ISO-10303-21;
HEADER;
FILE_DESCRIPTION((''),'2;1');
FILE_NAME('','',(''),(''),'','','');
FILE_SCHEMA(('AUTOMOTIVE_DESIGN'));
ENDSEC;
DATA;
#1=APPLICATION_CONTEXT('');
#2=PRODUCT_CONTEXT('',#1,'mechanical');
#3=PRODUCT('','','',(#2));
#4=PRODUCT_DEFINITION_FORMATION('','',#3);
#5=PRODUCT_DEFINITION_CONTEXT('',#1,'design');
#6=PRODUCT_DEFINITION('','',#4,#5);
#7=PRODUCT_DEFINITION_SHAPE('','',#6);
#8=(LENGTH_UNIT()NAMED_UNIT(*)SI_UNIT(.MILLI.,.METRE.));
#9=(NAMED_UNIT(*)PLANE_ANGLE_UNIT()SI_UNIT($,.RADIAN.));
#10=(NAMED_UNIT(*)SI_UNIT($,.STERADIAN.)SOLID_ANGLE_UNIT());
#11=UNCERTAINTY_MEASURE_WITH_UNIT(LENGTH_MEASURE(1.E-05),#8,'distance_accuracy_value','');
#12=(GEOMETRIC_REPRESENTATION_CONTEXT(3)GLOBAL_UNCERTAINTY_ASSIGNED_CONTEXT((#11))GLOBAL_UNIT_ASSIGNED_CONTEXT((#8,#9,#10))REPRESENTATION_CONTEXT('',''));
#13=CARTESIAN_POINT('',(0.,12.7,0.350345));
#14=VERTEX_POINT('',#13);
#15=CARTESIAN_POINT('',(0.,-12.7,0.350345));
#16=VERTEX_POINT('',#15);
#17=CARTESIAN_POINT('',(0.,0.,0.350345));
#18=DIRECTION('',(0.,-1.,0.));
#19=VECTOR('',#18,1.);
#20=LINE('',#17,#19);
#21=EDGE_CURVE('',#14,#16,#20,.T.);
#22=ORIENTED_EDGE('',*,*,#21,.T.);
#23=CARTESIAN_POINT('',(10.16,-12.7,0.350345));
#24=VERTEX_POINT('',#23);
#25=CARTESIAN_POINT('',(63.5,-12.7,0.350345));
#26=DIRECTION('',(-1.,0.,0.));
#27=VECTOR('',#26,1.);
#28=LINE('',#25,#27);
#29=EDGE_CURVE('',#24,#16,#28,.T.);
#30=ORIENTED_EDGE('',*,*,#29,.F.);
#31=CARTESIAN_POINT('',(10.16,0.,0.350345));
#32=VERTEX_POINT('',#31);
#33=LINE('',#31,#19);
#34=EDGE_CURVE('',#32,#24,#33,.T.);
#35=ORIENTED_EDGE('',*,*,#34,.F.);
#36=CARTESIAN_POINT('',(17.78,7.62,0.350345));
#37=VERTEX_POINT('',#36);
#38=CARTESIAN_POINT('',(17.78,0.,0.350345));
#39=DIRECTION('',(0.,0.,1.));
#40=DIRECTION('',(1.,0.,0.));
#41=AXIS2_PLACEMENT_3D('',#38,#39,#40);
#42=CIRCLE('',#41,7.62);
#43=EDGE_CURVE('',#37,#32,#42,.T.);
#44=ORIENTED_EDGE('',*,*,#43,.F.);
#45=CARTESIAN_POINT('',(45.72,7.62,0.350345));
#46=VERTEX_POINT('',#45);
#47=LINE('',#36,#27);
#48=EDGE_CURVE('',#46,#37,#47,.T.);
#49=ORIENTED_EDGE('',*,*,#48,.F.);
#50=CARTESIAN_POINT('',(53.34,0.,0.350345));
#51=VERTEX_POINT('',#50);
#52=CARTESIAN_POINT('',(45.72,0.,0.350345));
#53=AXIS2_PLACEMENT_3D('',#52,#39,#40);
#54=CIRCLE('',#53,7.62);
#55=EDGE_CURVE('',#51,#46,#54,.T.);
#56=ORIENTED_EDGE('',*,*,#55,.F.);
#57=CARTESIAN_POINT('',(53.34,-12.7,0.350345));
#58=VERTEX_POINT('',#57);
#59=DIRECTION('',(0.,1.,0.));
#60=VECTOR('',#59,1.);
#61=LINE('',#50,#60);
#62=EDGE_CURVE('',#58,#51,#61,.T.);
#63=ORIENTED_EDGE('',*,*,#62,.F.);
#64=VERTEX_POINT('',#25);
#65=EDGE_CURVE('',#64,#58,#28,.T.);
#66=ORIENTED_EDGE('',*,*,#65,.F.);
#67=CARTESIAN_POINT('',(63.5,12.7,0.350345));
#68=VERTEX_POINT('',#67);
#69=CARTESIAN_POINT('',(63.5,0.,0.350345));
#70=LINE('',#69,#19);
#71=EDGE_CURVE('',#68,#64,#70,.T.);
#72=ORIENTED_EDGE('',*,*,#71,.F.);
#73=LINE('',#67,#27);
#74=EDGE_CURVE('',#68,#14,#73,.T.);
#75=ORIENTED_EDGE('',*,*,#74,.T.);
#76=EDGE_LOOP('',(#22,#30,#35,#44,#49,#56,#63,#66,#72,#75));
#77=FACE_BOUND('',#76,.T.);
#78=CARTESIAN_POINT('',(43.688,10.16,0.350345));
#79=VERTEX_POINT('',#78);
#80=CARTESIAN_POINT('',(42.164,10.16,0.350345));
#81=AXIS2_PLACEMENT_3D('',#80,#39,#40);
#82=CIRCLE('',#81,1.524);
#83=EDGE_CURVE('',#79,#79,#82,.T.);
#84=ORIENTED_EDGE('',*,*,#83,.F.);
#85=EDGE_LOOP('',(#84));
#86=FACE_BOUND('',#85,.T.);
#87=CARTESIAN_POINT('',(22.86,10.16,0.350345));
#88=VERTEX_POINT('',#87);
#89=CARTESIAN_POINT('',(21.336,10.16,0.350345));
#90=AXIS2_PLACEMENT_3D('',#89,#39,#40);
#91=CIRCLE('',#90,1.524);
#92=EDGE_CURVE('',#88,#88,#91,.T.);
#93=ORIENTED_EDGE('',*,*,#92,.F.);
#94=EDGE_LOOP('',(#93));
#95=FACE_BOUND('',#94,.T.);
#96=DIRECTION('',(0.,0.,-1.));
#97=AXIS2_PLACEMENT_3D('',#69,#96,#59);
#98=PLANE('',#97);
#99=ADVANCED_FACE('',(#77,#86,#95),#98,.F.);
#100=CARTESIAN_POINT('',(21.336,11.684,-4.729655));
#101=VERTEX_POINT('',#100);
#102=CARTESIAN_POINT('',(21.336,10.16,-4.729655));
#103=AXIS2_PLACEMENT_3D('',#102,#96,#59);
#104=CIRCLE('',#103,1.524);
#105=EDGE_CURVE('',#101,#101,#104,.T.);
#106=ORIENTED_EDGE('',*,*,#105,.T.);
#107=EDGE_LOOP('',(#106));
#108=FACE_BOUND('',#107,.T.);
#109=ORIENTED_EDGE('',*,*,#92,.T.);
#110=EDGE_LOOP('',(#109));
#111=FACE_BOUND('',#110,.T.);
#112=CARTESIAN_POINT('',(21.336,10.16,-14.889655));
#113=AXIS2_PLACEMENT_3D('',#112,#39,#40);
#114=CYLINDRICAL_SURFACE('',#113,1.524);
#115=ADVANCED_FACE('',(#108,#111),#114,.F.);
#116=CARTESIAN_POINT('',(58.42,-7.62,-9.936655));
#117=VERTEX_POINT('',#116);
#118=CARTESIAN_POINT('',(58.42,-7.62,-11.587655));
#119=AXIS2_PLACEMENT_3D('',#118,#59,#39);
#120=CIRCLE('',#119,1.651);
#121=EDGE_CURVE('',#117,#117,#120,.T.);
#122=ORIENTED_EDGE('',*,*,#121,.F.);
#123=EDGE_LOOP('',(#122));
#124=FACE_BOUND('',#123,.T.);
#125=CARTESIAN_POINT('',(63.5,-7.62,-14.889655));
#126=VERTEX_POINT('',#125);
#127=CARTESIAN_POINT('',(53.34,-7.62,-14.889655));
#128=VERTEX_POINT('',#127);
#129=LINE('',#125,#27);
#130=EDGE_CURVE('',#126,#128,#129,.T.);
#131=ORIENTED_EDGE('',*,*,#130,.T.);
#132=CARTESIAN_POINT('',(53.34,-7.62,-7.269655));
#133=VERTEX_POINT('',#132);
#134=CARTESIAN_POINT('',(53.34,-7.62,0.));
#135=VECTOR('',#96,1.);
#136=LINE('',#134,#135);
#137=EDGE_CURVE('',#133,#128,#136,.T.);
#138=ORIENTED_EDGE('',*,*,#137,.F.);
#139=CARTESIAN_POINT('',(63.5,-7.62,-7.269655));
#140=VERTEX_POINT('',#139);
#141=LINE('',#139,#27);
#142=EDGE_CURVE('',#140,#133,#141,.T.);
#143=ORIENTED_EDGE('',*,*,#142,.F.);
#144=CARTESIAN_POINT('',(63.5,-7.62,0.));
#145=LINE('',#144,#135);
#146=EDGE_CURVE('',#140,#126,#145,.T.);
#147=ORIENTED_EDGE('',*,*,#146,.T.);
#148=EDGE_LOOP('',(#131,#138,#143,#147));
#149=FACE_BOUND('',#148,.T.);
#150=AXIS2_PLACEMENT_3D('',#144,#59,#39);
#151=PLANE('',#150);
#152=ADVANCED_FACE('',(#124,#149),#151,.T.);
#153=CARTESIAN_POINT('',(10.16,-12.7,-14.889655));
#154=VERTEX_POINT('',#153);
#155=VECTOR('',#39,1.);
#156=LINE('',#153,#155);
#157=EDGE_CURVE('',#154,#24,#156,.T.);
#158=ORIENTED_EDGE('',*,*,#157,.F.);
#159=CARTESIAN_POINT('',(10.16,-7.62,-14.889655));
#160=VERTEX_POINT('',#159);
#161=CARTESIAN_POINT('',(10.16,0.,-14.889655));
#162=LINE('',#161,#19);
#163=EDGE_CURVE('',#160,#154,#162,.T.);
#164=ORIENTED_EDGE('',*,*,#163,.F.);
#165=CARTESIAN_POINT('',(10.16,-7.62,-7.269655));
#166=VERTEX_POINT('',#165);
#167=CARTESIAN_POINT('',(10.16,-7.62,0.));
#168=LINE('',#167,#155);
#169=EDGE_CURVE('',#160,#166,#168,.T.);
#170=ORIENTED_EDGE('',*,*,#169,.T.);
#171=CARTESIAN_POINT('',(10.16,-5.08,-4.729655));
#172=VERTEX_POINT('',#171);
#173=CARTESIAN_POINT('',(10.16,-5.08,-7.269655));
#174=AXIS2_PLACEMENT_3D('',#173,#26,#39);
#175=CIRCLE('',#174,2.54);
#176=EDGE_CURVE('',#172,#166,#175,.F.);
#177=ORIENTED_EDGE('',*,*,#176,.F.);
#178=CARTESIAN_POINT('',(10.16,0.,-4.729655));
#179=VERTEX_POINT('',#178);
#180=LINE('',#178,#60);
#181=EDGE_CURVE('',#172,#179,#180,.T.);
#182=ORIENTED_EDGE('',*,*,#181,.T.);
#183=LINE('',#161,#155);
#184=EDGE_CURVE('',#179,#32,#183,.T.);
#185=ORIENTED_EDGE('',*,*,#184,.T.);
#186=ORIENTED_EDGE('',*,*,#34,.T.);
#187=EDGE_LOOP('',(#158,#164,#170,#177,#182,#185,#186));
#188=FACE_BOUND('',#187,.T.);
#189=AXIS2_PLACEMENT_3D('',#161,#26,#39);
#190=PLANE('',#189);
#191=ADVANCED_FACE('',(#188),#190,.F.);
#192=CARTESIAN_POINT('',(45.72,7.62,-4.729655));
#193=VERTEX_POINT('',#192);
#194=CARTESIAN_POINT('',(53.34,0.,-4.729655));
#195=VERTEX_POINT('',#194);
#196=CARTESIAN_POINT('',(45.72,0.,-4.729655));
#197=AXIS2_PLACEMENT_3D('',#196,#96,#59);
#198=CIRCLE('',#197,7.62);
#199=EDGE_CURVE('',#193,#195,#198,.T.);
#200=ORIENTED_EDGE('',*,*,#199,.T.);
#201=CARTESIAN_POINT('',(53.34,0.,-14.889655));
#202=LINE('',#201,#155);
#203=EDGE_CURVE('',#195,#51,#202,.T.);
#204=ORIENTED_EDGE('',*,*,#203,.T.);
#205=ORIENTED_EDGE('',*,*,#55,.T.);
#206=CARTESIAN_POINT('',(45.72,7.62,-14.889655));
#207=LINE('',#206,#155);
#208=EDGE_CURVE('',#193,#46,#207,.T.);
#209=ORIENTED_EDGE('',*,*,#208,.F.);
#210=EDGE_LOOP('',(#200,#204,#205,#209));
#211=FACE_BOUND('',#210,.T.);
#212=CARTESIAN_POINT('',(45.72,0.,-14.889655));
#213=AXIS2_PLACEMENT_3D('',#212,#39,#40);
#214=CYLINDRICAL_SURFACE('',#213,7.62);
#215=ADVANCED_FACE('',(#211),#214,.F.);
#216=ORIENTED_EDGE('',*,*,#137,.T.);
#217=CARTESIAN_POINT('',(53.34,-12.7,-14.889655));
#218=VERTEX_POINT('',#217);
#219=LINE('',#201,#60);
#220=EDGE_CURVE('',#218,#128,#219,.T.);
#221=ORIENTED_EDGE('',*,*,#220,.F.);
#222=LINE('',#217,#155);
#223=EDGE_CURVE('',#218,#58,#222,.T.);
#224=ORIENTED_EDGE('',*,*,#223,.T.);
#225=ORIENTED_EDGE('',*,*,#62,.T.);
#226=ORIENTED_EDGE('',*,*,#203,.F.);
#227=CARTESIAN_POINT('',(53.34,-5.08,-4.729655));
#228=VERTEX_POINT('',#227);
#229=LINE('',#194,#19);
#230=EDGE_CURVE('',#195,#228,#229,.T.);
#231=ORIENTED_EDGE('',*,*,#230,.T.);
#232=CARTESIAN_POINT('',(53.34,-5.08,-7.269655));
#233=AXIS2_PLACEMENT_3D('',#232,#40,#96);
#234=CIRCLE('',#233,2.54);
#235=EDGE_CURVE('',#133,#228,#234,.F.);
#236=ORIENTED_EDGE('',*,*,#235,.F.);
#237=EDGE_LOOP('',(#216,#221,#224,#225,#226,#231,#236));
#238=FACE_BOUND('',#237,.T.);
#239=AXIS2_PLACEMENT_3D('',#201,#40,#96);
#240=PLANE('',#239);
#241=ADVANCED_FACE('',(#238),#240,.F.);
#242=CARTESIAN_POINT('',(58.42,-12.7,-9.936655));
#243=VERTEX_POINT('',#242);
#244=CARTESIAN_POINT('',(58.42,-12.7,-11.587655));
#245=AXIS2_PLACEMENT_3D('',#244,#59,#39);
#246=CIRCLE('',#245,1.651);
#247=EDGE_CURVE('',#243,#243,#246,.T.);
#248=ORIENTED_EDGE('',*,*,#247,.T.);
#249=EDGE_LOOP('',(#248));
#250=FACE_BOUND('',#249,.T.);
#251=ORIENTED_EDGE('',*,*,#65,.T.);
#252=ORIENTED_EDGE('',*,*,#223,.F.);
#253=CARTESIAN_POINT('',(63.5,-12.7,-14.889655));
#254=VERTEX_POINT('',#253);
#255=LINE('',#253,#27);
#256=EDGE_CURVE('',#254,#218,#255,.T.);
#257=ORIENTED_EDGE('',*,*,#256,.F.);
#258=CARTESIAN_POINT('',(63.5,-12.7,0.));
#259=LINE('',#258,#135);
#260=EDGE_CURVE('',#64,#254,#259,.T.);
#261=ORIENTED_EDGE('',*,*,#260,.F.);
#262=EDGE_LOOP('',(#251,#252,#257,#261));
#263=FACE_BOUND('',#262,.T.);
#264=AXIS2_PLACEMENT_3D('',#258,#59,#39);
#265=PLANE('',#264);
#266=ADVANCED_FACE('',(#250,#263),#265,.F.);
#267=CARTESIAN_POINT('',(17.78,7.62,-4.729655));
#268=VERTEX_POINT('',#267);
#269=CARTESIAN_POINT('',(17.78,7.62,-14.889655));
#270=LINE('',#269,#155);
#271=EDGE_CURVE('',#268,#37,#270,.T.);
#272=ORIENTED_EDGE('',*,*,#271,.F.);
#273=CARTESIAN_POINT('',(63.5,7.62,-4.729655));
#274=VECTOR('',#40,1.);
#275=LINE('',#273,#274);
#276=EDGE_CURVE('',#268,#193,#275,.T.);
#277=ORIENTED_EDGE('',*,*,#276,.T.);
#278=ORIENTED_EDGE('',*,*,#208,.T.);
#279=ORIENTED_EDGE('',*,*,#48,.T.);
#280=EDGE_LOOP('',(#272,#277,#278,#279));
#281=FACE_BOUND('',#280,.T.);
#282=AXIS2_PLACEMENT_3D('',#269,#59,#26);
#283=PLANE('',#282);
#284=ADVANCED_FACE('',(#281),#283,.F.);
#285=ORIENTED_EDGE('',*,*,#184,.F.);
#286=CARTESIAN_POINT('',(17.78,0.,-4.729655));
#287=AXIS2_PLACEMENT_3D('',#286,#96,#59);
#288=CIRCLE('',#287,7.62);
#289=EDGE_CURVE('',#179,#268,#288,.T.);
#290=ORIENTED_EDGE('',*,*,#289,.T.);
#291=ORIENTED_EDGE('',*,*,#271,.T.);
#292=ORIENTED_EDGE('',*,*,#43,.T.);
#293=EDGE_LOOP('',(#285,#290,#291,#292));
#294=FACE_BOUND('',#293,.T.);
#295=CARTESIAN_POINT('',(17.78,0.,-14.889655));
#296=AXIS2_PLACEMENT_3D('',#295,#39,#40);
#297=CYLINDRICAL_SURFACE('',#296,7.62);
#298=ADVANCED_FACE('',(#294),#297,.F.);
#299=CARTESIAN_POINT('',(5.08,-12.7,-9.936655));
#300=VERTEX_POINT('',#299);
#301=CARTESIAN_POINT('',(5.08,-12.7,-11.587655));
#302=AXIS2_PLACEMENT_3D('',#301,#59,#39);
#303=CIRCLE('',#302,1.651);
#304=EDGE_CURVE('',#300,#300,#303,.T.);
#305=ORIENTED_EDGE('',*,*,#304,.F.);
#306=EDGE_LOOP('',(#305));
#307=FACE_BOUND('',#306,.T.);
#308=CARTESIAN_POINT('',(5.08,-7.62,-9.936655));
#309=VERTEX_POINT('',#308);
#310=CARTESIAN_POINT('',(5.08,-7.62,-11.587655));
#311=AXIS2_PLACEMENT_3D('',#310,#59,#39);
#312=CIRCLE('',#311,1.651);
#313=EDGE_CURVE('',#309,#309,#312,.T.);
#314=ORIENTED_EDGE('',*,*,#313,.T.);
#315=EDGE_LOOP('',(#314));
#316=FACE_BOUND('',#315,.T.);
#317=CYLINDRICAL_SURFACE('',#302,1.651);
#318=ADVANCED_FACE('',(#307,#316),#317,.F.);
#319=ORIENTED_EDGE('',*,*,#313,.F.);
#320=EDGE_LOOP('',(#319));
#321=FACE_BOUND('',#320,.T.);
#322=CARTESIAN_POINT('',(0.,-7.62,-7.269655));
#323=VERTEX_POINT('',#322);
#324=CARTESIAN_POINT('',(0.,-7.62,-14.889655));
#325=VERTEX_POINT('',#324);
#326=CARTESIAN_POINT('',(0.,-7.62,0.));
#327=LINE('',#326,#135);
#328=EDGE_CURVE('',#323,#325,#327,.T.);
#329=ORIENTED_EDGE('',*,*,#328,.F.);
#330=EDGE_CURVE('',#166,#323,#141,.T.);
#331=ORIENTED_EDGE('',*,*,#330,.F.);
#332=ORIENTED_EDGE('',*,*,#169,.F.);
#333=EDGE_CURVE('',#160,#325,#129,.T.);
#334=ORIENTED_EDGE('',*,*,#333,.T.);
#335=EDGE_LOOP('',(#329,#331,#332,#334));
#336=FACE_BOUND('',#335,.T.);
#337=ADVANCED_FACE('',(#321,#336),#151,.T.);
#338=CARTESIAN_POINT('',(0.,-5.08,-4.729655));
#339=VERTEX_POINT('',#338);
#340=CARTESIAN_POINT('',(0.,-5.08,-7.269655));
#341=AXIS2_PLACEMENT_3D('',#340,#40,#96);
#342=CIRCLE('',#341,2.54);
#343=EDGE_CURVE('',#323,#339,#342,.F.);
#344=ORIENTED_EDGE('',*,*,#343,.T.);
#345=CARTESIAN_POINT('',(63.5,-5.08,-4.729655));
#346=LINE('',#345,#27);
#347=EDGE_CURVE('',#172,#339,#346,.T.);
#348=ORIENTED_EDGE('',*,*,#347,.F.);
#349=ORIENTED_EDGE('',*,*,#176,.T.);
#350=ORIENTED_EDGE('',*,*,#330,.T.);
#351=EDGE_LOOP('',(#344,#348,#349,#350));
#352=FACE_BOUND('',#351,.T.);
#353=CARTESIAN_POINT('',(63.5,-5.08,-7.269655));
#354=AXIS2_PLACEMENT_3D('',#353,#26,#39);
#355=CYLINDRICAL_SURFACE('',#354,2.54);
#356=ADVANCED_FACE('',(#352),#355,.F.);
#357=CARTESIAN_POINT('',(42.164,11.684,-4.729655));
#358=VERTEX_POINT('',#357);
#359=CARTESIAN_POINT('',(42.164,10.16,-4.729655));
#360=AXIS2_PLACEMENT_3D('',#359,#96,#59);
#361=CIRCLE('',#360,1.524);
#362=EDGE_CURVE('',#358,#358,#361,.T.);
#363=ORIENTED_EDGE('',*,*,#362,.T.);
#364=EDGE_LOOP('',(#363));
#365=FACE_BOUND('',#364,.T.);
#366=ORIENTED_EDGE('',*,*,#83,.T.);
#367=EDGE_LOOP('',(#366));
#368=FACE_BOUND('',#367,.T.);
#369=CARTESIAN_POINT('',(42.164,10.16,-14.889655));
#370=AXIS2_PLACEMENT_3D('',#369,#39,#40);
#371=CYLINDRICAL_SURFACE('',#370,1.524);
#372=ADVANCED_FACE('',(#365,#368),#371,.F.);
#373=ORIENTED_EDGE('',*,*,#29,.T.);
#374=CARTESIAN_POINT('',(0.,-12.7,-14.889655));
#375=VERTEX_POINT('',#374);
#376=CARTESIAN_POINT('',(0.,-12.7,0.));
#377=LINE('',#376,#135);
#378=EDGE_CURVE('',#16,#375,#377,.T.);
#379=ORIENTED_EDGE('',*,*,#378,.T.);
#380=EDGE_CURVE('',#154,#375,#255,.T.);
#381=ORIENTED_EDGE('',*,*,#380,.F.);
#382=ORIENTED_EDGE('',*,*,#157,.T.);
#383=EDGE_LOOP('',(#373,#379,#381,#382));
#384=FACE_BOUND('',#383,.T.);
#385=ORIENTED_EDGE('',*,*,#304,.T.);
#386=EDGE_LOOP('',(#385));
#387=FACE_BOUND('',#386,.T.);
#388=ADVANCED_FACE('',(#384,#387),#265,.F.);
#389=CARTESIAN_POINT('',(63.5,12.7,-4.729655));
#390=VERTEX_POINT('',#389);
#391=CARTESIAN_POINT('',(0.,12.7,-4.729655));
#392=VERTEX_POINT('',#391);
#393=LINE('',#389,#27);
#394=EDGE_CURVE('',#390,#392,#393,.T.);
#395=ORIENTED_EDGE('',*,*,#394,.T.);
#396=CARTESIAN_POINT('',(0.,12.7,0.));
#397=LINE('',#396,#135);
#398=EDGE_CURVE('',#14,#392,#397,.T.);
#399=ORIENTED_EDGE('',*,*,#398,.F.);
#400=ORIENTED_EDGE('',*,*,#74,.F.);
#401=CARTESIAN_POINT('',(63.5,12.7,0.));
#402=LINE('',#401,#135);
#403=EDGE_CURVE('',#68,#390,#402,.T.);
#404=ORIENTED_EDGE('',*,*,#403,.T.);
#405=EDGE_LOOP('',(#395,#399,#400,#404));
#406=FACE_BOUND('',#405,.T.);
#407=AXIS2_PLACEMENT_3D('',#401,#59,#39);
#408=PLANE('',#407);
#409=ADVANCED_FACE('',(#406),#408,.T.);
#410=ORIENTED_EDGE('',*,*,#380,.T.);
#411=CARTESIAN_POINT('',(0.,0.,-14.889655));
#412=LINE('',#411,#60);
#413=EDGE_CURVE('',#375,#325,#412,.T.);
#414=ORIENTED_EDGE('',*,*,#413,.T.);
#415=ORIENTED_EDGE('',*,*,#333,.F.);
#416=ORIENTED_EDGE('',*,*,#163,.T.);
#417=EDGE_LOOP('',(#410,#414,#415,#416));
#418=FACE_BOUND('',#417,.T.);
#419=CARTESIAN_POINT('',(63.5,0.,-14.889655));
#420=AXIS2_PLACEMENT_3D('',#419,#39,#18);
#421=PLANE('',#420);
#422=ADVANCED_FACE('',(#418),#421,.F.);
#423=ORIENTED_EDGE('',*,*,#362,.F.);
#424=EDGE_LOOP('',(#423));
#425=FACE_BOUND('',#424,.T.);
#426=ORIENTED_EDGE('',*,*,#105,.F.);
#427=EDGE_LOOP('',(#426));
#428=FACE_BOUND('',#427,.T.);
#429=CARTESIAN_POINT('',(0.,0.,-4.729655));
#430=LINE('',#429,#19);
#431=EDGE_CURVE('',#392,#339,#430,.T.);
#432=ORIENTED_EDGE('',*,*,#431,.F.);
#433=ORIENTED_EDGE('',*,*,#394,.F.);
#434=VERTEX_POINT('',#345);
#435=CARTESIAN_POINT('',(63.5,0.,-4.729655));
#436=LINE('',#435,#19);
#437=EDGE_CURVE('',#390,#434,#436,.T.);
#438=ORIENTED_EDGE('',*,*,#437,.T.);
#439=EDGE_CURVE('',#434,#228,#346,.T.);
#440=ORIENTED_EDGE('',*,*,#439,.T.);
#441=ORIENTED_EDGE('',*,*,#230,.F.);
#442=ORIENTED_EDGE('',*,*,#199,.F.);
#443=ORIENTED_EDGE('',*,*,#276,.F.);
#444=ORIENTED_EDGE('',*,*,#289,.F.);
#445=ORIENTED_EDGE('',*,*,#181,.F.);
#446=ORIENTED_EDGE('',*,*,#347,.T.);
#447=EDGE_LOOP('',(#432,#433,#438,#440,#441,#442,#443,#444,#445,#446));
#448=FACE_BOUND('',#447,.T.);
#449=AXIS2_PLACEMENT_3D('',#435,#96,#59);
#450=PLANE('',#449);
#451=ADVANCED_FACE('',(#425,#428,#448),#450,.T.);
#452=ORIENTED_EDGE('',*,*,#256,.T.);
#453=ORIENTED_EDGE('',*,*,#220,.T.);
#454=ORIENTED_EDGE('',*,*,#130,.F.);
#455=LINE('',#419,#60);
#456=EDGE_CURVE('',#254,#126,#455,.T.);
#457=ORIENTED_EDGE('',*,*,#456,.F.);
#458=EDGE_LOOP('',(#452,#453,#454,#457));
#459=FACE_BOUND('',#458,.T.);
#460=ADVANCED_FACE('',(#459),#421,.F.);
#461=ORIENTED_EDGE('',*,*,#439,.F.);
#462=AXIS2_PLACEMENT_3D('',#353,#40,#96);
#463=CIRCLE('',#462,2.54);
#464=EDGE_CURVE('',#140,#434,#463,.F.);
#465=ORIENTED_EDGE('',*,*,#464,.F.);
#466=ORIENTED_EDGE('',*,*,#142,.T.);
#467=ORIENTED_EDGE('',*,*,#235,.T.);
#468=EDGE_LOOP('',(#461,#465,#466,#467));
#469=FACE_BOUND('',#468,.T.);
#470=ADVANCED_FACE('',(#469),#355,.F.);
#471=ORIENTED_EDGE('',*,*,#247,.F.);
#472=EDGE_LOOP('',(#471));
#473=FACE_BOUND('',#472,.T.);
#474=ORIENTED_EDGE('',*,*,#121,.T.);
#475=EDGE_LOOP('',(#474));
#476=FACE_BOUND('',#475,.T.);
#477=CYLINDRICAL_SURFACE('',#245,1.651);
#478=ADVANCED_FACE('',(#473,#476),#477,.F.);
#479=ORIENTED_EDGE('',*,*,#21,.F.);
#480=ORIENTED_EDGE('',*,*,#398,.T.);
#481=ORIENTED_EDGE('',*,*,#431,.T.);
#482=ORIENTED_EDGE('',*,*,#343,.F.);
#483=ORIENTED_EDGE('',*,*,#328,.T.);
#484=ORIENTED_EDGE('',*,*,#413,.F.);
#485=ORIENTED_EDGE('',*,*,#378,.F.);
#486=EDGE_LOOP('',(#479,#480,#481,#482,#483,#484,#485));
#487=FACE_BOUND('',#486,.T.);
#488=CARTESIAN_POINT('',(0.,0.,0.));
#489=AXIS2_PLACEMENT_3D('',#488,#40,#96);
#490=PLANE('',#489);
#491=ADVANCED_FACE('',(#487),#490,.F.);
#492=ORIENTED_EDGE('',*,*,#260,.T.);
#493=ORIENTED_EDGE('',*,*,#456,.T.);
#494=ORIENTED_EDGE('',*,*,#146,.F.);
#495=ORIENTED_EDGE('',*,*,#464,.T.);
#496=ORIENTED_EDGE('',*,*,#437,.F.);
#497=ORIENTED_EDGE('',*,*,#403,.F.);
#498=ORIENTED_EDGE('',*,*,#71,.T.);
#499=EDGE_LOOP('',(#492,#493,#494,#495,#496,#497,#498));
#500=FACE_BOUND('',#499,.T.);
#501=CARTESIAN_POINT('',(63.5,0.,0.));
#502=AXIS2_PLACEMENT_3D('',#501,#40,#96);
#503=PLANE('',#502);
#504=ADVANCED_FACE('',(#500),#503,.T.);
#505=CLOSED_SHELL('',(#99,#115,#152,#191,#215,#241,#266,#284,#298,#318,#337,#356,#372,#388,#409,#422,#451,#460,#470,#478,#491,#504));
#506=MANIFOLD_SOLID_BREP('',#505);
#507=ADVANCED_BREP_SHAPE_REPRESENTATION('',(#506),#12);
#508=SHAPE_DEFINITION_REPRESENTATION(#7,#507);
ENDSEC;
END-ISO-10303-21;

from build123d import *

# Parameters (mm, degrees)
BOSS_EXTRUDE1_DEPTH = 63.5
SKETCH2_R           = 1.524
CUT_EXTRUDE1_DEPTH  = 67.526668337
SKETCH3_R           = 1.651
CUT_EXTRUDE2_DEPTH  = 69.314377924


with BuildPart() as part:
    # Sketch1 → Boss-Extrude1 (new body)
    with BuildSketch(Plane(origin=(0, 0, 0), x_dir=(0, 0, -1), z_dir=(1, 0, 0))):
        with BuildLine():
            Line((7.269655172, -7.62), (14.889655172, -7.62))
            Line((14.889655172, -7.62), (14.889655172, -12.7))
            Line((14.889655172, -12.7), (-0.350344828, -12.7))
            Line((-0.350344828, -12.7), (-0.350344828, 12.7))
            Line((-0.350344828, 12.7), (4.729655172, 12.7))
            Line((4.729655172, 12.7), (4.729655172, -5.08))
            ThreePointArc((4.729655172, -5.08), (5.473603948, -6.876051224), (7.269655172, -7.62))
        make_face()
    extrude(amount=BOSS_EXTRUDE1_DEPTH)

    # Sketch2 → Cut-Extrude1 (cut, through all)
    with BuildSketch(Plane.XY.offset(0.350344828)):
        with Locations((21.336, 10.16)):
            Circle(SKETCH2_R)
        with Locations((42.164, 10.16)):
            Circle(SKETCH2_R)
        with BuildLine():
            Line((10.16, 0), (10.16, -12.7))
            Line((10.16, -12.7), (53.34, -12.7))
            Line((53.34, -12.7), (53.34, 0))
            ThreePointArc((53.34, 0), (51.108153673, 5.388153673), (45.72, 7.62))
            Line((45.72, 7.62), (17.78, 7.62))
            ThreePointArc((17.78, 7.62), (12.391846327, 5.388153673), (10.16, 0))
        make_face()
    extrude(amount=-CUT_EXTRUDE1_DEPTH, mode=Mode.SUBTRACT)

    # Sketch3 → Cut-Extrude2 (cut, through all)
    with BuildSketch(Plane(origin=(0, -7.62, 0), x_dir=(1, 0, 0), z_dir=(0, 1, 0))):
        with Locations(Location((5.08, 11.587655172, 0), (0, 0, 270))):
            Circle(SKETCH3_R)
        with Locations(Location((58.42, 11.587655172, 0), (0, 0, 270))):
            Circle(SKETCH3_R)
    extrude(amount=-CUT_EXTRUDE2_DEPTH, mode=Mode.SUBTRACT)


solid = part.part
